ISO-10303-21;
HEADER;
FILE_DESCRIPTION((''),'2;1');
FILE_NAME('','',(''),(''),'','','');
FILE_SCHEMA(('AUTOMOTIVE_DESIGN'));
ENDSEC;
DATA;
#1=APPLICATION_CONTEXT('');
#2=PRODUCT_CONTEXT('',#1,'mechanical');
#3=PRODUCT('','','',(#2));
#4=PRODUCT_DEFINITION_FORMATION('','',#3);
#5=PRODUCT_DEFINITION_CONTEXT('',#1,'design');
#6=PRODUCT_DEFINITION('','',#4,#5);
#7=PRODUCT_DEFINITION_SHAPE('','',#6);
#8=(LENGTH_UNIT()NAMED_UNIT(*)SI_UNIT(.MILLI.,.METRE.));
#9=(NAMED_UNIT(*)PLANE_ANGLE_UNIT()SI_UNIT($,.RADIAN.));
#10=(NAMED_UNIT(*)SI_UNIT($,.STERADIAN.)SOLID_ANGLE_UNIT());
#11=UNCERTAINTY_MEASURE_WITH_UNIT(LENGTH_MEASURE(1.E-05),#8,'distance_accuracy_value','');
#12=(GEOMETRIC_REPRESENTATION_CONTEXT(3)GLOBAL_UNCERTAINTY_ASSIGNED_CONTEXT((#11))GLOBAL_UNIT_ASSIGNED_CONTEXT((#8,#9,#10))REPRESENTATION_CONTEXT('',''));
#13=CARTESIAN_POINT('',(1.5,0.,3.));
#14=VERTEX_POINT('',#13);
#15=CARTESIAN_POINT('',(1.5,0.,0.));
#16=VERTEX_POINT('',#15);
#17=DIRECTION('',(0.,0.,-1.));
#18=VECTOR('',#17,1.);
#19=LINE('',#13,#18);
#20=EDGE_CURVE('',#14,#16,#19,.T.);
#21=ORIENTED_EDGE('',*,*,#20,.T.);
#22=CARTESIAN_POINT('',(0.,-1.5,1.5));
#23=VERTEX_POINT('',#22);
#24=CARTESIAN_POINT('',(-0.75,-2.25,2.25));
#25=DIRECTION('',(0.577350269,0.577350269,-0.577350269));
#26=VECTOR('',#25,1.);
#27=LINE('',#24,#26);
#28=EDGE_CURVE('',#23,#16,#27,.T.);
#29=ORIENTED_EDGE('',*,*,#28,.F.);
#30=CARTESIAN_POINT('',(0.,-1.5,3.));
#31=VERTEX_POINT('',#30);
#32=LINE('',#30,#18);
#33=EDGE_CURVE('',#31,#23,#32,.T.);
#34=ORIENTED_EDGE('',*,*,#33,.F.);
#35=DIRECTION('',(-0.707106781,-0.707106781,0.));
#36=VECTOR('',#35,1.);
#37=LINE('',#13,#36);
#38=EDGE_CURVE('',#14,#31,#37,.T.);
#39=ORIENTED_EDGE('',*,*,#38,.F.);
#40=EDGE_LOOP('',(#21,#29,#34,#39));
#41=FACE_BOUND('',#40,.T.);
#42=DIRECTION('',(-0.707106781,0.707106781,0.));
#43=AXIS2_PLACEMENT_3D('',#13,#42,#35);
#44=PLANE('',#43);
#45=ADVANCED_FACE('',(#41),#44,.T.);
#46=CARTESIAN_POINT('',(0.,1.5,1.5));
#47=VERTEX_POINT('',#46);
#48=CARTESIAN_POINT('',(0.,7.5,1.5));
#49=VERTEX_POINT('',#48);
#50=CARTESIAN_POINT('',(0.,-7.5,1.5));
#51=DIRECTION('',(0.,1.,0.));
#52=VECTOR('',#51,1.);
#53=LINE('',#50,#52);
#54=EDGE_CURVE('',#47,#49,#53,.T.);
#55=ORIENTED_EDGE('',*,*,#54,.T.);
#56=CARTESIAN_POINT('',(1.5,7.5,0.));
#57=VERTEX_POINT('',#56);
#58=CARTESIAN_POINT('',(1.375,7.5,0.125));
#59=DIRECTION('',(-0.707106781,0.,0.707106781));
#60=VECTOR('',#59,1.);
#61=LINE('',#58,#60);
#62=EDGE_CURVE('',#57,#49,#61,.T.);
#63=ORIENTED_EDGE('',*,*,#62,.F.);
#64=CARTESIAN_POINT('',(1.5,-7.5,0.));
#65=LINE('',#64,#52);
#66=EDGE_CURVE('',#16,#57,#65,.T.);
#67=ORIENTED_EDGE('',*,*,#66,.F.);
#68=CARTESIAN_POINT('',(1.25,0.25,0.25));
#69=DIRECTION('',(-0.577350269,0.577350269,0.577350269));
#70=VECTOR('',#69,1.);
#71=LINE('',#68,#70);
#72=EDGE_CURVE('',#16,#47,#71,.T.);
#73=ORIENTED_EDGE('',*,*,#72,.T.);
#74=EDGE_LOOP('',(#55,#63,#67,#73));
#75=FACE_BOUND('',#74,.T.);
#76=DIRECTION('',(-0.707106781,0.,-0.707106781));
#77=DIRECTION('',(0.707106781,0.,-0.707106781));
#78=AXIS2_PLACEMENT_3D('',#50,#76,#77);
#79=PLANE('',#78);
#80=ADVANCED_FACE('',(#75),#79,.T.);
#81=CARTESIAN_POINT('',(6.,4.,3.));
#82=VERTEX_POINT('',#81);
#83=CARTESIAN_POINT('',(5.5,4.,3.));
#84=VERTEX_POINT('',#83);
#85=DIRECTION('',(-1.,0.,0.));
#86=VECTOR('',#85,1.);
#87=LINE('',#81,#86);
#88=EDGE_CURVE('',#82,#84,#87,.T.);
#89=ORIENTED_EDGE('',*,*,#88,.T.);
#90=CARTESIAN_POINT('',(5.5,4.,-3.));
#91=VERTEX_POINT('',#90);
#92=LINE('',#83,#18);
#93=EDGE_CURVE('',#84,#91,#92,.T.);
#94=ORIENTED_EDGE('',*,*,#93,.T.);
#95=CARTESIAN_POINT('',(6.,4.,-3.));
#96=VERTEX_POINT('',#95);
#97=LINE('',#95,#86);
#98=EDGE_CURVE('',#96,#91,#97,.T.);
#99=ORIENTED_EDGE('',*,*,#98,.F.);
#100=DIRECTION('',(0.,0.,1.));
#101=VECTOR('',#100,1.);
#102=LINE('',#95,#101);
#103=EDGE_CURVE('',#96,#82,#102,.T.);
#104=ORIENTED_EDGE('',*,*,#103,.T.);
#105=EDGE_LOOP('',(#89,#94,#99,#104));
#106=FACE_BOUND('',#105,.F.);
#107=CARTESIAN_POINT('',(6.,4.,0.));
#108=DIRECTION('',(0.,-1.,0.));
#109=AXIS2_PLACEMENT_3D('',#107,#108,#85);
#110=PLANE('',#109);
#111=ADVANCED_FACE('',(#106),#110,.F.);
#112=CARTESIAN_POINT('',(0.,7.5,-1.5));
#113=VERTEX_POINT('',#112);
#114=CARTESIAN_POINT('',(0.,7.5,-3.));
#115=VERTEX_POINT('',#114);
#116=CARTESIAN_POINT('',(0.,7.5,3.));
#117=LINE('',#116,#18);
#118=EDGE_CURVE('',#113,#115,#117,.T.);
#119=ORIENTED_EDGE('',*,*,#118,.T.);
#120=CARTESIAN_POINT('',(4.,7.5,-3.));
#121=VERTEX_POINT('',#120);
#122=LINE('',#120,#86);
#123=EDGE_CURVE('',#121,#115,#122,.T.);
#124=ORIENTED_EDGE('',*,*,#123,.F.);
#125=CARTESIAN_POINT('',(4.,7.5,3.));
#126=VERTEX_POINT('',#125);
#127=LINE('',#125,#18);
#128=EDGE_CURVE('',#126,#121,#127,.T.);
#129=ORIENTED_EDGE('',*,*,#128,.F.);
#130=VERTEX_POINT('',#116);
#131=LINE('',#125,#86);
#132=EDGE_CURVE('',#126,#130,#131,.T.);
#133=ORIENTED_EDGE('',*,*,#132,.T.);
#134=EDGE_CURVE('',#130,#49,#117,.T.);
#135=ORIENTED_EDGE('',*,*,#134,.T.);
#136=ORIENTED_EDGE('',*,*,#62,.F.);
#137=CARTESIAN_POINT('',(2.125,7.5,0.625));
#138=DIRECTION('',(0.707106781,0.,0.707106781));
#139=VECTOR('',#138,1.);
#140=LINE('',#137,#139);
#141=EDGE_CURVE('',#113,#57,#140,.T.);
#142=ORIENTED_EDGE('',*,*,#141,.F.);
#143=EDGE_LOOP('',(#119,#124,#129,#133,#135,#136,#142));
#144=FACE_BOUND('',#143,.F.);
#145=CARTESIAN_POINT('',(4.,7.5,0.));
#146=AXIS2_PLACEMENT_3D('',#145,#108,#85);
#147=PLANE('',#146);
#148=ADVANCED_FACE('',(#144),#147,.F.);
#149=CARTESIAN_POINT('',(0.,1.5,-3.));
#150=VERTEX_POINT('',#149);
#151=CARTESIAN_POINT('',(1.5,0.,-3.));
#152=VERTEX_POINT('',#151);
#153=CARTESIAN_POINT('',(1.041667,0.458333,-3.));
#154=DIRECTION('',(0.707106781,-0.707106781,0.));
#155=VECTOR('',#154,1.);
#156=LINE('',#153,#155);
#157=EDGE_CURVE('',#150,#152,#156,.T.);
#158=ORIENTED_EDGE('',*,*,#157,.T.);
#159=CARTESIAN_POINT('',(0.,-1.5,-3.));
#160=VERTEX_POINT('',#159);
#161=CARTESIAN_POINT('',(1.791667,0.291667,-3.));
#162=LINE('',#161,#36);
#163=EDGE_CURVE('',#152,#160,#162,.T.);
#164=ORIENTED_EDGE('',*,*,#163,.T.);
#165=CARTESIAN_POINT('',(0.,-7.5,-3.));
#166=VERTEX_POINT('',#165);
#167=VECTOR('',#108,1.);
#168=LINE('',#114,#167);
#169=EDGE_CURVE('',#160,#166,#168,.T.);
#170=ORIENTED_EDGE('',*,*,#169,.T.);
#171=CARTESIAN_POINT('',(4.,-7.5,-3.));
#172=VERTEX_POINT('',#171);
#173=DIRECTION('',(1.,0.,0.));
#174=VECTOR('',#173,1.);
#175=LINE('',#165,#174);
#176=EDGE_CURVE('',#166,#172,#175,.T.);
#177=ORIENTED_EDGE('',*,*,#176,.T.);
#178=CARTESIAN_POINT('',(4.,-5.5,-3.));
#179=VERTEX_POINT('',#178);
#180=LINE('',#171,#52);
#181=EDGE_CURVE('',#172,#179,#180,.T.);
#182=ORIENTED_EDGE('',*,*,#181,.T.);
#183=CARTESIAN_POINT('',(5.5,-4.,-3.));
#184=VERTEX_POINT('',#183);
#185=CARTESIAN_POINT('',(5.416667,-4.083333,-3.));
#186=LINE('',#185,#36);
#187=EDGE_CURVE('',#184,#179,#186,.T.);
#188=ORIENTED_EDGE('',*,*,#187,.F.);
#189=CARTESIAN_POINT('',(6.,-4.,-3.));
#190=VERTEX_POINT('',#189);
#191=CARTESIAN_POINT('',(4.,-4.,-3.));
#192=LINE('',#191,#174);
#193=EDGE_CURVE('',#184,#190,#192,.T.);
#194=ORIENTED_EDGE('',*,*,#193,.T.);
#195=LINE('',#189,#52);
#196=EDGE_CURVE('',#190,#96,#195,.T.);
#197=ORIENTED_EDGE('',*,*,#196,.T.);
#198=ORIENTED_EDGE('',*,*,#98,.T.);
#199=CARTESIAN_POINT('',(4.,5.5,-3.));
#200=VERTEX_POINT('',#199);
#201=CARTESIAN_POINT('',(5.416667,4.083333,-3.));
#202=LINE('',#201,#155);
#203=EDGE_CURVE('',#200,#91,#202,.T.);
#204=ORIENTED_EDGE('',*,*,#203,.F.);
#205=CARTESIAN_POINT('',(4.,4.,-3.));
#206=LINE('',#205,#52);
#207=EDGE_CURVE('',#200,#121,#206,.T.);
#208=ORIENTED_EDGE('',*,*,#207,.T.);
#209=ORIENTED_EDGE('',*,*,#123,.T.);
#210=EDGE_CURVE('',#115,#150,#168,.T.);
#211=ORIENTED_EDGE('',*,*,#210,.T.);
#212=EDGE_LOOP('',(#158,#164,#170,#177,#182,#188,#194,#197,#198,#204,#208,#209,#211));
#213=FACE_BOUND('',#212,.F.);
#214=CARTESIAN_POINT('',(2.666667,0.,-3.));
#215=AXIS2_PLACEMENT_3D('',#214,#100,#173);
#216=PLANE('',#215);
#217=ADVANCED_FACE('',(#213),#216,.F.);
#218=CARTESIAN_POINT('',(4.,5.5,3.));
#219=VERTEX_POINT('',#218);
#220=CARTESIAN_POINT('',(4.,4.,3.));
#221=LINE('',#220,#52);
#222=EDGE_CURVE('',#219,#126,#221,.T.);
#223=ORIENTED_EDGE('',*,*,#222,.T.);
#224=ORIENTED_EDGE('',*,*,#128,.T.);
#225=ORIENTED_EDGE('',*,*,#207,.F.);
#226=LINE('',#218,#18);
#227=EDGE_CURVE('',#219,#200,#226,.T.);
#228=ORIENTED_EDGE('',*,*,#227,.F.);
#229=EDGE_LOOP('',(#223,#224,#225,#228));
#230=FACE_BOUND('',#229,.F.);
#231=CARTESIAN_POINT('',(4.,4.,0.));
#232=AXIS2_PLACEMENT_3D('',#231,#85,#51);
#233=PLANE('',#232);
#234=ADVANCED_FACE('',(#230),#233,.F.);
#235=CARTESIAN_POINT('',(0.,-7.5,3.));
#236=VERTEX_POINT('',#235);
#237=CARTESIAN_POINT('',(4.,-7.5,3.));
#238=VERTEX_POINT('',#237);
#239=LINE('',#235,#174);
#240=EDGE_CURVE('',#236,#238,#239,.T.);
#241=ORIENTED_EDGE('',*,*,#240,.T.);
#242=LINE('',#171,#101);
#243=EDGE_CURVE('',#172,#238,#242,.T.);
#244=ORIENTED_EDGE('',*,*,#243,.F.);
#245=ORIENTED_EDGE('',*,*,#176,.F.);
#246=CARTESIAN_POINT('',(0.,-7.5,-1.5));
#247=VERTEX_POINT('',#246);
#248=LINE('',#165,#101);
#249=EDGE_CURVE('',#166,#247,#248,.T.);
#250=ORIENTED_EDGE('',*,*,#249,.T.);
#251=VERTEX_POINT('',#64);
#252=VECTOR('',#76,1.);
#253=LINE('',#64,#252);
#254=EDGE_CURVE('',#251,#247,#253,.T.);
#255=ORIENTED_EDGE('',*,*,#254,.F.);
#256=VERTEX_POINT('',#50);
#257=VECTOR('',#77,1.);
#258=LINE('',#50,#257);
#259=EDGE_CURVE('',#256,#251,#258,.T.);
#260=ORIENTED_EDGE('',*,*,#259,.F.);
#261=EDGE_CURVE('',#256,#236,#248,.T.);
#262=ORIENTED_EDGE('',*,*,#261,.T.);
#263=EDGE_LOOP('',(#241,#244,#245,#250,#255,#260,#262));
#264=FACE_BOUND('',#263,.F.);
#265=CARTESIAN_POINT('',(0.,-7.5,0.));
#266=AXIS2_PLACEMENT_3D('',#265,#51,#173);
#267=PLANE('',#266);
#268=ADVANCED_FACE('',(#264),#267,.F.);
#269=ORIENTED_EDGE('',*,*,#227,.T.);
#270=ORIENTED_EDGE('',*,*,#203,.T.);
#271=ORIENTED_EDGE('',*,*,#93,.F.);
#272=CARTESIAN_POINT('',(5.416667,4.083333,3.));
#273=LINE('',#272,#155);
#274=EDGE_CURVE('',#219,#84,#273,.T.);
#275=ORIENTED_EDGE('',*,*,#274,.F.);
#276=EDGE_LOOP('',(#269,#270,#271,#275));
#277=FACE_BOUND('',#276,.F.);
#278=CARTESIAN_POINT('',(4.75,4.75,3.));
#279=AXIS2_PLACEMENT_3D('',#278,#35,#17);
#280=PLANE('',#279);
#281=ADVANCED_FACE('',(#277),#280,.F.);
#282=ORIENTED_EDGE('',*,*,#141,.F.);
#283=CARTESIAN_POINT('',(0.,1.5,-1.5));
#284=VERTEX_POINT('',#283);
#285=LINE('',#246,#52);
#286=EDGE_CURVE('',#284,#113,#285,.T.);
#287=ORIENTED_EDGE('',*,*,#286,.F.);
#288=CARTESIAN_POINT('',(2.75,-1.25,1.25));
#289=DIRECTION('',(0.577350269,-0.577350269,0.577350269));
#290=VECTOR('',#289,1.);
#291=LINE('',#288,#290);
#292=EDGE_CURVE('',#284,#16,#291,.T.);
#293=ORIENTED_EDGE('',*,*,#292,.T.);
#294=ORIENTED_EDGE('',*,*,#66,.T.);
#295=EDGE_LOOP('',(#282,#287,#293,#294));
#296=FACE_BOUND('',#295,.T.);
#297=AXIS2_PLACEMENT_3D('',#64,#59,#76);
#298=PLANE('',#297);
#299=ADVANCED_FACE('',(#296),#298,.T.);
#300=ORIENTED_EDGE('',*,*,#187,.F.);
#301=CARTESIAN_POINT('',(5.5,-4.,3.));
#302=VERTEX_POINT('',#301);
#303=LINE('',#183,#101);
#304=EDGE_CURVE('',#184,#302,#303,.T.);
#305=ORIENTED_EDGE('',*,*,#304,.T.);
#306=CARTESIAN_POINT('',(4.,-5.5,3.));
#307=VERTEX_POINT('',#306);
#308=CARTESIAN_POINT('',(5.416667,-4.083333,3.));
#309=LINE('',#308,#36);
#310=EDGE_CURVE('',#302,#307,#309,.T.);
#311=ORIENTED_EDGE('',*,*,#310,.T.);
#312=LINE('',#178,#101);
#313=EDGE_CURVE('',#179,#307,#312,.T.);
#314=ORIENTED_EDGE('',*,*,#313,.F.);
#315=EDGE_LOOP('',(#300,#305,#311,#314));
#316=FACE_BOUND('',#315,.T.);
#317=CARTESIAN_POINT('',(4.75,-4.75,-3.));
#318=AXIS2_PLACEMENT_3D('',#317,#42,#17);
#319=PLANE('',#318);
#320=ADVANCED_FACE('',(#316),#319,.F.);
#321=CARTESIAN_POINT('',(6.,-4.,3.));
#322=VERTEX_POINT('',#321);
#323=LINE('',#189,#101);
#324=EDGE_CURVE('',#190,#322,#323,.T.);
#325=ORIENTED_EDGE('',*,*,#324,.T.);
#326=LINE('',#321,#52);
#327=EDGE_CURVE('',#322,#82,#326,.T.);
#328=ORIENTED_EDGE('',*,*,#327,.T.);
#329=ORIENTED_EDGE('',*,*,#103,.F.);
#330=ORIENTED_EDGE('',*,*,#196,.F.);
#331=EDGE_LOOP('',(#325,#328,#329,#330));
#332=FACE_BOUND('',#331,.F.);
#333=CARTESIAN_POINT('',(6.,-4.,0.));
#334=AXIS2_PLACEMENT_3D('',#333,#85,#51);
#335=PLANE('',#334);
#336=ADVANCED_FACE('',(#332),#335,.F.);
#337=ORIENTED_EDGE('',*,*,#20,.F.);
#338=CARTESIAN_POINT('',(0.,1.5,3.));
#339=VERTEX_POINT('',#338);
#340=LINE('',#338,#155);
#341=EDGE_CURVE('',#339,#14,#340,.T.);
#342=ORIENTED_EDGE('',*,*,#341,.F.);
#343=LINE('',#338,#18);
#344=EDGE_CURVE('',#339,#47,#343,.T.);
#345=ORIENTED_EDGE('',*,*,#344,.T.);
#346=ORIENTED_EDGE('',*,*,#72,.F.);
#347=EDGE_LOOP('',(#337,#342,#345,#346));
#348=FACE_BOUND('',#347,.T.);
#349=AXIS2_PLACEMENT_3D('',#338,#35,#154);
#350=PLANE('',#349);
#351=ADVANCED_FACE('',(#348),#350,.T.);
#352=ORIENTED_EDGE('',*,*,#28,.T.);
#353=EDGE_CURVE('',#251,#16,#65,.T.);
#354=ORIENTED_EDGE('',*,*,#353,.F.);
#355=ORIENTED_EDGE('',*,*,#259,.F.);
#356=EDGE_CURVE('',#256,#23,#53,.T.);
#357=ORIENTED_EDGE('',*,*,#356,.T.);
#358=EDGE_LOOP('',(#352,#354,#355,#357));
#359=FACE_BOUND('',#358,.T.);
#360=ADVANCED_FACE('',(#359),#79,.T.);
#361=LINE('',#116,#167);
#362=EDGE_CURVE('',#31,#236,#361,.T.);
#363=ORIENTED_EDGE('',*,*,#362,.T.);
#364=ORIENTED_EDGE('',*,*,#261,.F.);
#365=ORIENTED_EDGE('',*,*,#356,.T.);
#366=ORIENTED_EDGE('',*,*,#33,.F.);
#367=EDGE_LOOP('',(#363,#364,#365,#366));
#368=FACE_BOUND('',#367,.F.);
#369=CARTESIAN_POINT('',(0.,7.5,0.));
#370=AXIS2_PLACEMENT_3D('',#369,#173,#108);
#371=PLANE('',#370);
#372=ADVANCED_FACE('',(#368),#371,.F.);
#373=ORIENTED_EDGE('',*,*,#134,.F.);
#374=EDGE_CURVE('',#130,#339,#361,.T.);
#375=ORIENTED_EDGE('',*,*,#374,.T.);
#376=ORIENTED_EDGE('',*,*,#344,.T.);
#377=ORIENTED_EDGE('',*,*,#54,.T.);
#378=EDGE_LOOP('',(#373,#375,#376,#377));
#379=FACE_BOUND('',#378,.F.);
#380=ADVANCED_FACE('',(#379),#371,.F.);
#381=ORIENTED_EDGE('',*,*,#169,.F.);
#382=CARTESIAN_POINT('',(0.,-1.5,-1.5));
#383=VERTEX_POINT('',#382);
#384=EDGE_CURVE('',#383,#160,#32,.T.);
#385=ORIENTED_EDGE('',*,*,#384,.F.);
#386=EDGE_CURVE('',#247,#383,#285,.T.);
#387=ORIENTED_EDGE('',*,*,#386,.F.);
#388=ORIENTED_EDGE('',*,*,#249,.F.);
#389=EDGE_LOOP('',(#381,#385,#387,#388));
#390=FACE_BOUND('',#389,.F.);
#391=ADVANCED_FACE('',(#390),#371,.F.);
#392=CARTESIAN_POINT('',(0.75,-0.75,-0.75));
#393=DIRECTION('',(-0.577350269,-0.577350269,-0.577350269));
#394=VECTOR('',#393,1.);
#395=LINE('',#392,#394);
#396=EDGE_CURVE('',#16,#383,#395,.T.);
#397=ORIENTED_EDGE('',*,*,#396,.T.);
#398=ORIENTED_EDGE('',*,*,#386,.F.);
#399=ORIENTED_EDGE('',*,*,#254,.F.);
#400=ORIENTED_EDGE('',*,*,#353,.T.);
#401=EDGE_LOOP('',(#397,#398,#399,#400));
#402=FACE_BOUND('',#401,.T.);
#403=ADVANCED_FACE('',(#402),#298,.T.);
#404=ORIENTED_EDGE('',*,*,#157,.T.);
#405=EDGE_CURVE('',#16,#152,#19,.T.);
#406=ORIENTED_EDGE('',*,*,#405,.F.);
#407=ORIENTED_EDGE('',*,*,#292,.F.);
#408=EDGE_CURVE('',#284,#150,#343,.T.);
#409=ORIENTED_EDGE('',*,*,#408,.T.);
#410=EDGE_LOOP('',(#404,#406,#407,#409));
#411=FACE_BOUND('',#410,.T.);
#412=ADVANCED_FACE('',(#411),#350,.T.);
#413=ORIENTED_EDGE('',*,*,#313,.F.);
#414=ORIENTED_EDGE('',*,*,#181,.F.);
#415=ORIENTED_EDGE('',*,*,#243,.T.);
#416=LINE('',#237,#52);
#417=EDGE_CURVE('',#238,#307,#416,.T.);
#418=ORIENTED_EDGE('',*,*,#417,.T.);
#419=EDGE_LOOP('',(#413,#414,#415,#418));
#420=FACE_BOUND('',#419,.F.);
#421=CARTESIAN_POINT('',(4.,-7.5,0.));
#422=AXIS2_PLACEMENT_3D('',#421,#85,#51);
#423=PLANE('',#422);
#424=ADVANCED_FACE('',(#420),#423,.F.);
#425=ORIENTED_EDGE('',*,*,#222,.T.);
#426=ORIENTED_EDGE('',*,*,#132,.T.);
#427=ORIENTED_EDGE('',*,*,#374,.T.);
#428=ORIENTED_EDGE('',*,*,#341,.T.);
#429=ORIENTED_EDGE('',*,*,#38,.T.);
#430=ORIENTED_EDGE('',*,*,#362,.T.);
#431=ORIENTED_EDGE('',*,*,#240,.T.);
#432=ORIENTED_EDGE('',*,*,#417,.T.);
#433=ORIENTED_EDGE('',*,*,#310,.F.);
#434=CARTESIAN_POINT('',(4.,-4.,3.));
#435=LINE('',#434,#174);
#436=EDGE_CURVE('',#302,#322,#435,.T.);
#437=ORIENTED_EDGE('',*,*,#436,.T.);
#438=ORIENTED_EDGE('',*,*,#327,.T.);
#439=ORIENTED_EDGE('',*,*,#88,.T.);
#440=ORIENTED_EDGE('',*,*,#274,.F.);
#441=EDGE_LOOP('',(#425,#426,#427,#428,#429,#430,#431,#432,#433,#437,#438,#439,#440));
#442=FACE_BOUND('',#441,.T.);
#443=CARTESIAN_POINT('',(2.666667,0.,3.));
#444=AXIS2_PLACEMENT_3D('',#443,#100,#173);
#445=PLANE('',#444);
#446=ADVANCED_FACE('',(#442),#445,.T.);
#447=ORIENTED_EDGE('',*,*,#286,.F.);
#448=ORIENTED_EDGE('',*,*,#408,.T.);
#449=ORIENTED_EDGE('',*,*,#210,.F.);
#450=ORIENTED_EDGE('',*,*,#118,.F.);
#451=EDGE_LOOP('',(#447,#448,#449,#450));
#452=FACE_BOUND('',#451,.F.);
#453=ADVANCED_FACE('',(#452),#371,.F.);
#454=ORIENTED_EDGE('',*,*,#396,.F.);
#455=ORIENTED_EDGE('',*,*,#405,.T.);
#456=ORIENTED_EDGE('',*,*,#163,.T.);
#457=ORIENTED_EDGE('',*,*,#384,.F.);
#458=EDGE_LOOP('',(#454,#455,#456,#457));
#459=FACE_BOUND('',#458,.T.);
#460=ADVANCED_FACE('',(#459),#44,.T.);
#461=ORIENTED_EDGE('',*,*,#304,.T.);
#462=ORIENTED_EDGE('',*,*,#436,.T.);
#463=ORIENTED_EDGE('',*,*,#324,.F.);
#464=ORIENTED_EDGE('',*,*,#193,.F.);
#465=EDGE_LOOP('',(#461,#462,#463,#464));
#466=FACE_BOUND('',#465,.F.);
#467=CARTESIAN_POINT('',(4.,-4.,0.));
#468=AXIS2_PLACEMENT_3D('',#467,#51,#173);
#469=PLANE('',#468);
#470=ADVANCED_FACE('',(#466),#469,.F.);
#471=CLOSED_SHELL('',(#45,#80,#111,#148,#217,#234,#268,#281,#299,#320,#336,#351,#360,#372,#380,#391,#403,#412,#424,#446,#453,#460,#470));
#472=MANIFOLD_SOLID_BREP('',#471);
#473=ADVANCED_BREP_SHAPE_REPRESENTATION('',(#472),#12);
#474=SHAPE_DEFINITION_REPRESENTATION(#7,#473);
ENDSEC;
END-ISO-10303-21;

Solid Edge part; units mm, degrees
sketch "Sketch1" plane through (0, 0, 0) normal (0, 0, 1) x (1, 0, 0)
  line L0 (0, 7.5) -> (0, -7.5)
  line L1 (0, -7.5) -> (4, -7.5)
  line L2 (4, -7.5) -> (4, -4)
  line L3 (4, -4) -> (6, -4)
  line L4 (6, -4) -> (6, 4)
  line L5 (6, 4) -> (4, 4)
  line L6 (4, 4) -> (4, 7.5)
  line L7 (4, 7.5) -> (0, 7.5)
  dimension "D1" = 15
  dimension "D2" = 8
  dimension "D3" = 4
  dimension "D4" = 2
extrude "Protrusion1" add sketch "Sketch1" along normal mid plane 6
sketch "Sketch2" plane through (2, -7.5, 0) normal (0, -1, 0) x (1, 0, 0)
  line L0 (-2, -1.5) -> (-2, 1.5)
  line L1 (-2, 1.5) -> (-0.5, 0)
  line L2 (-0.5, 0) -> (-2, -1.5)
  dimension "D1" = 3
extrude "Cutout1" cut sketch "Sketch2" against normal up to next
sketch "Sketch3" plane through (6, 0, 3) normal (0, 0, 1) x (1, 0, 0)
  line L0 (-6, 1.5) -> (-4.5, 0)
  line L1 (-4.5, 0) -> (-6, -1.5)
  line L2 (-6, -1.5) -> (-6, 1.5)
  dimension "D1" = 3
extrude "Cutout2" cut sketch "Sketch3" against normal through all
chamfer "Chamfer_1" distance 1.5 angle 45 2 edges at (4, -4, 0) (4, 4, 0)
properties material "Polyethylene, low density"
